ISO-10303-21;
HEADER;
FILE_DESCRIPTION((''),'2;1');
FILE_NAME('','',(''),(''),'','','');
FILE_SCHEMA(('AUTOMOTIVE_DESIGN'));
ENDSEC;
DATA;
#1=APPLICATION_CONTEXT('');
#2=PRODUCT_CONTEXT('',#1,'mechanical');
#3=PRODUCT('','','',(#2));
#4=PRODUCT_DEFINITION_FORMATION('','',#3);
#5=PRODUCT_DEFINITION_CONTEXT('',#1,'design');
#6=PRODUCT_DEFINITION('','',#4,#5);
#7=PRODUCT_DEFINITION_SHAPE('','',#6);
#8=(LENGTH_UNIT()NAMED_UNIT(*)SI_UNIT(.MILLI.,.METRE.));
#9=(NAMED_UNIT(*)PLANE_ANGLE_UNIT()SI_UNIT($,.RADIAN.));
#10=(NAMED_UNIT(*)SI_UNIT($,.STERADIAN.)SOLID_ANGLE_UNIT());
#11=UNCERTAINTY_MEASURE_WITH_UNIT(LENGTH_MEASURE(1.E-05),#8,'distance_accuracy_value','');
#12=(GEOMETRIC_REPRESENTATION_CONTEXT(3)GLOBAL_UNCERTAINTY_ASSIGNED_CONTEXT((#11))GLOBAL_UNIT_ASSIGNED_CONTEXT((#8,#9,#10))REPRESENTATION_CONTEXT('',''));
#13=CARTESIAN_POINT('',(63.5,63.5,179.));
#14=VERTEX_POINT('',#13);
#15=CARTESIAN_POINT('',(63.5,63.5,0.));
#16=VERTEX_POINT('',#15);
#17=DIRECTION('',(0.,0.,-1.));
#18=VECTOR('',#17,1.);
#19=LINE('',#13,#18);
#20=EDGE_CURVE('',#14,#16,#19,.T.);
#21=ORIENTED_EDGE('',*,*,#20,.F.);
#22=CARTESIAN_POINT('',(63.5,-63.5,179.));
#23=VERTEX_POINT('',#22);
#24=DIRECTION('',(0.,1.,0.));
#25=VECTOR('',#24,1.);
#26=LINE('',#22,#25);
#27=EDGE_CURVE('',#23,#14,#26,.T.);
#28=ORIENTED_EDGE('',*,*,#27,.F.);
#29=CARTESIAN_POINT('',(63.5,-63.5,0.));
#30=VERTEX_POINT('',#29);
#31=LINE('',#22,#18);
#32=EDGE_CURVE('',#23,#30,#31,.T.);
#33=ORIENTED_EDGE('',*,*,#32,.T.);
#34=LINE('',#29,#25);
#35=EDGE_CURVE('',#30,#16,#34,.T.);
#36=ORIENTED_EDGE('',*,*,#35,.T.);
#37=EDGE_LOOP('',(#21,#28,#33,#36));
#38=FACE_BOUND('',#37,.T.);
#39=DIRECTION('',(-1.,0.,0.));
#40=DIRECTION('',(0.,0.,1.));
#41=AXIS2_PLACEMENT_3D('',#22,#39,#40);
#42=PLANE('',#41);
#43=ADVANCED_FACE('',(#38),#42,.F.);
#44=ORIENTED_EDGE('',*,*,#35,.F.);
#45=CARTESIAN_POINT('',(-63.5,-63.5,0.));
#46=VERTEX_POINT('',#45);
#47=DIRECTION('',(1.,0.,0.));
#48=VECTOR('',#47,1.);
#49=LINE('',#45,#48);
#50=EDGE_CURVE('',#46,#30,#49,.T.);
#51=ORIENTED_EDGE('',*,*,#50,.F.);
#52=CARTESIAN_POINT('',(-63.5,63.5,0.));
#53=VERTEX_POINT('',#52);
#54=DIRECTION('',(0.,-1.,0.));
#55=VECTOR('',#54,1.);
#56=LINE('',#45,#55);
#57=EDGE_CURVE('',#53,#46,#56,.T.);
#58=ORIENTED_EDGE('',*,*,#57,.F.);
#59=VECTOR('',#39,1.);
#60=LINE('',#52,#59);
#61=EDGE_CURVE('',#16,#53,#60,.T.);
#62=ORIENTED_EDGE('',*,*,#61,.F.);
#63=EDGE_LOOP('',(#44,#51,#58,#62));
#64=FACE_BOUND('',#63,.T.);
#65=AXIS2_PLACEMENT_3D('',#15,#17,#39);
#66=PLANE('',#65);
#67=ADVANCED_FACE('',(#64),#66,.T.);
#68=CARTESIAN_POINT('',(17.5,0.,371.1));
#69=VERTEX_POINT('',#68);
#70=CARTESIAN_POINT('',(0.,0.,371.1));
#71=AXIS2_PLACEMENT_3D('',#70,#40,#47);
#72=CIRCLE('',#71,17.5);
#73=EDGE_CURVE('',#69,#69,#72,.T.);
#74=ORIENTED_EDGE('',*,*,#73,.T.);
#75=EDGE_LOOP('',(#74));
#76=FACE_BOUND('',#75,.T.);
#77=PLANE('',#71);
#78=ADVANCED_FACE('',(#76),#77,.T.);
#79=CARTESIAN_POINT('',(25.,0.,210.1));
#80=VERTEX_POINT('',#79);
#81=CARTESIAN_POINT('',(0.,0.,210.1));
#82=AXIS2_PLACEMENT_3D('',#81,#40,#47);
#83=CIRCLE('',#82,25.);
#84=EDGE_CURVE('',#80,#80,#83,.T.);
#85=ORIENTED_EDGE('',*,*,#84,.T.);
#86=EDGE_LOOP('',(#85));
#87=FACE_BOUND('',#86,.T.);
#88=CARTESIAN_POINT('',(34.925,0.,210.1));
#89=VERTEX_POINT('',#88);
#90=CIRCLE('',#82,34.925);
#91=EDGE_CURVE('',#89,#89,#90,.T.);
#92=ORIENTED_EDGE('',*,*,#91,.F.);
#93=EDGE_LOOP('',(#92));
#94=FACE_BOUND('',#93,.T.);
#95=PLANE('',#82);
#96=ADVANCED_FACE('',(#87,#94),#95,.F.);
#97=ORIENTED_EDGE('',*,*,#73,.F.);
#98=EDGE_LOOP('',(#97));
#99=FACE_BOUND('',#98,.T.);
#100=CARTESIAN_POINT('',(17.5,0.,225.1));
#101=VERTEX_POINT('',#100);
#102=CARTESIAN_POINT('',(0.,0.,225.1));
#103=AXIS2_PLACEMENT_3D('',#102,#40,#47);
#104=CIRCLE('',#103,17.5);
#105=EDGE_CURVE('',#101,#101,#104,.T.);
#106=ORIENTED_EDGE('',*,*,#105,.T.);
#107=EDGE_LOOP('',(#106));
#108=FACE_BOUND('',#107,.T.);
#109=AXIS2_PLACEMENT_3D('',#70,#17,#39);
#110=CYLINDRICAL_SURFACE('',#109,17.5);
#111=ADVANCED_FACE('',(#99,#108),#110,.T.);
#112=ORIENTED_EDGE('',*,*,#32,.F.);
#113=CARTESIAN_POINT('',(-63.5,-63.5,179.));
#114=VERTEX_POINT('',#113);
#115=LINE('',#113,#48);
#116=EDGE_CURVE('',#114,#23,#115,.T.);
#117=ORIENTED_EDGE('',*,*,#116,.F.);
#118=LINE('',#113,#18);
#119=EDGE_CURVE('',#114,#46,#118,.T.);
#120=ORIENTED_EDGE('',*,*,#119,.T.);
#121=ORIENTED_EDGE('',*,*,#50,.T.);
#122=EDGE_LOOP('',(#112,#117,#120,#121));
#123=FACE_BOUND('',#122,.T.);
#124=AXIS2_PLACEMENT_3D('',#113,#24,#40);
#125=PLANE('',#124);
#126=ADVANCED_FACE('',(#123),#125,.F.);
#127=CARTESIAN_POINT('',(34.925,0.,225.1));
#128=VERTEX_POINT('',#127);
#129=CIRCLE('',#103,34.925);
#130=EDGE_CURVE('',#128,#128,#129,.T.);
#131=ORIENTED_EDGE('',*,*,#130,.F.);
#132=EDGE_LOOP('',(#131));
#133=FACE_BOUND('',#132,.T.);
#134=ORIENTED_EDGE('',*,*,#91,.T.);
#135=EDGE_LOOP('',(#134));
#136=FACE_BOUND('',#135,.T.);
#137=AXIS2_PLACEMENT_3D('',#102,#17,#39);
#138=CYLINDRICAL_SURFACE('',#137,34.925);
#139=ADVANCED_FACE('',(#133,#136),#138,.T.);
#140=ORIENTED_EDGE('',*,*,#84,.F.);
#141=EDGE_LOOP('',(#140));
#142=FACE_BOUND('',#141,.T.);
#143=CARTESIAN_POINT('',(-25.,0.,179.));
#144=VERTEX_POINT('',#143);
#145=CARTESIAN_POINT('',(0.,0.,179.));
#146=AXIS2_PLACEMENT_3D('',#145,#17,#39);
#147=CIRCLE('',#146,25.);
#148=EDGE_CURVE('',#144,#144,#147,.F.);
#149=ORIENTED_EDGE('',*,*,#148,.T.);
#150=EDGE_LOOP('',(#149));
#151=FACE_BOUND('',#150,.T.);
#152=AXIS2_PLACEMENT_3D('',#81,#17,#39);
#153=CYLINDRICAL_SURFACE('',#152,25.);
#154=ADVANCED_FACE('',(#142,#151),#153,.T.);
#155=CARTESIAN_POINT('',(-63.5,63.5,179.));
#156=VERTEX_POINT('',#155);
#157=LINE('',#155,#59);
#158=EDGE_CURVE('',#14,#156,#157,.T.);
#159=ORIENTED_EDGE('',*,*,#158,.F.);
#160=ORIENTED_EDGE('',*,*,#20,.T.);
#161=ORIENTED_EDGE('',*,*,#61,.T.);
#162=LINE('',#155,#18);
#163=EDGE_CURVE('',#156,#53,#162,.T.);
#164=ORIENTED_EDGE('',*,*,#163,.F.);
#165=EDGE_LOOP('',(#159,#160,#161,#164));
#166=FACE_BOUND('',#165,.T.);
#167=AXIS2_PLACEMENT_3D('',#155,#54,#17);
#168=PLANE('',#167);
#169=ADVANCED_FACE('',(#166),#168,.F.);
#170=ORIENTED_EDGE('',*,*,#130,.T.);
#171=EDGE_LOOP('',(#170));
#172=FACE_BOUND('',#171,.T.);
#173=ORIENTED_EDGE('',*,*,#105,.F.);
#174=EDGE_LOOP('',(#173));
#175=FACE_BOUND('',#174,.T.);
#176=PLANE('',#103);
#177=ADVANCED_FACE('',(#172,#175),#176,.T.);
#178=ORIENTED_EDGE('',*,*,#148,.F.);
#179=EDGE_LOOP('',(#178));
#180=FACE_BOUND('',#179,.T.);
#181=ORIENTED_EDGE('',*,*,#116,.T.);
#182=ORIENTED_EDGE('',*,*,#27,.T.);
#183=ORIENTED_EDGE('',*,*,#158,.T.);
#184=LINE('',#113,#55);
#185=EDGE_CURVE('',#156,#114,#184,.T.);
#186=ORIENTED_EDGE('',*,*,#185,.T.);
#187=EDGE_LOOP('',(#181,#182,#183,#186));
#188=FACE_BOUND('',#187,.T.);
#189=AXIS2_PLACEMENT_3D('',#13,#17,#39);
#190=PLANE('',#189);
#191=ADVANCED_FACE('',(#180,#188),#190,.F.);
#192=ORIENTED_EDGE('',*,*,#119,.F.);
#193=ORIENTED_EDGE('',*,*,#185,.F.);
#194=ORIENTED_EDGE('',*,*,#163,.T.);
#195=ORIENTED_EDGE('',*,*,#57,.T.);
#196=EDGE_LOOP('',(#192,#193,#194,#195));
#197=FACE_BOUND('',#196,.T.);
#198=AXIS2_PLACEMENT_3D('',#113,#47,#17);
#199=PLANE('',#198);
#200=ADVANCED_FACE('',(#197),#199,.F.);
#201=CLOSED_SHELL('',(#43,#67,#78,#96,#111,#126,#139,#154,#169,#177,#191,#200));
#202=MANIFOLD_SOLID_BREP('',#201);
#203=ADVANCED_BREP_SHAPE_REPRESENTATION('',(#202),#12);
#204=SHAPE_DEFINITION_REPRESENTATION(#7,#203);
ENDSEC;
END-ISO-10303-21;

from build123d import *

# Parameters (mm, degrees)
SKETCH1_W           = 127
SKETCH1_H           = 127
BOSS_EXTRUDE1_DEPTH = 179
SKETCH2_R           = 25
BOSS_EXTRUDE2_DEPTH = 31.1
SKETCH3_R           = 34.925
BOSS_EXTRUDE3_DEPTH = 15
SKETCH4_R           = 17.5
BOSS_EXTRUDE4_DEPTH = 146


with BuildPart() as part:
    # Sketch1 → Boss-Extrude1 (new body)
    with BuildSketch(Plane.XY):
        Rectangle(SKETCH1_W, SKETCH1_H)
    extrude(amount=BOSS_EXTRUDE1_DEPTH)

    # Sketch2 → Boss-Extrude2 (add)
    with BuildSketch(Plane.XY.offset(179)):
        Circle(SKETCH2_R)
    extrude(amount=BOSS_EXTRUDE2_DEPTH)

    # Sketch3 → Boss-Extrude3 (add)
    with BuildSketch(Plane.XY.offset(210.1)):
        Circle(SKETCH3_R)
    extrude(amount=BOSS_EXTRUDE3_DEPTH)

    # Sketch4 → Boss-Extrude4 (add)
    with BuildSketch(Plane.XY.offset(225.1)):
        Circle(SKETCH4_R)
    extrude(amount=BOSS_EXTRUDE4_DEPTH)


solid = part.part
